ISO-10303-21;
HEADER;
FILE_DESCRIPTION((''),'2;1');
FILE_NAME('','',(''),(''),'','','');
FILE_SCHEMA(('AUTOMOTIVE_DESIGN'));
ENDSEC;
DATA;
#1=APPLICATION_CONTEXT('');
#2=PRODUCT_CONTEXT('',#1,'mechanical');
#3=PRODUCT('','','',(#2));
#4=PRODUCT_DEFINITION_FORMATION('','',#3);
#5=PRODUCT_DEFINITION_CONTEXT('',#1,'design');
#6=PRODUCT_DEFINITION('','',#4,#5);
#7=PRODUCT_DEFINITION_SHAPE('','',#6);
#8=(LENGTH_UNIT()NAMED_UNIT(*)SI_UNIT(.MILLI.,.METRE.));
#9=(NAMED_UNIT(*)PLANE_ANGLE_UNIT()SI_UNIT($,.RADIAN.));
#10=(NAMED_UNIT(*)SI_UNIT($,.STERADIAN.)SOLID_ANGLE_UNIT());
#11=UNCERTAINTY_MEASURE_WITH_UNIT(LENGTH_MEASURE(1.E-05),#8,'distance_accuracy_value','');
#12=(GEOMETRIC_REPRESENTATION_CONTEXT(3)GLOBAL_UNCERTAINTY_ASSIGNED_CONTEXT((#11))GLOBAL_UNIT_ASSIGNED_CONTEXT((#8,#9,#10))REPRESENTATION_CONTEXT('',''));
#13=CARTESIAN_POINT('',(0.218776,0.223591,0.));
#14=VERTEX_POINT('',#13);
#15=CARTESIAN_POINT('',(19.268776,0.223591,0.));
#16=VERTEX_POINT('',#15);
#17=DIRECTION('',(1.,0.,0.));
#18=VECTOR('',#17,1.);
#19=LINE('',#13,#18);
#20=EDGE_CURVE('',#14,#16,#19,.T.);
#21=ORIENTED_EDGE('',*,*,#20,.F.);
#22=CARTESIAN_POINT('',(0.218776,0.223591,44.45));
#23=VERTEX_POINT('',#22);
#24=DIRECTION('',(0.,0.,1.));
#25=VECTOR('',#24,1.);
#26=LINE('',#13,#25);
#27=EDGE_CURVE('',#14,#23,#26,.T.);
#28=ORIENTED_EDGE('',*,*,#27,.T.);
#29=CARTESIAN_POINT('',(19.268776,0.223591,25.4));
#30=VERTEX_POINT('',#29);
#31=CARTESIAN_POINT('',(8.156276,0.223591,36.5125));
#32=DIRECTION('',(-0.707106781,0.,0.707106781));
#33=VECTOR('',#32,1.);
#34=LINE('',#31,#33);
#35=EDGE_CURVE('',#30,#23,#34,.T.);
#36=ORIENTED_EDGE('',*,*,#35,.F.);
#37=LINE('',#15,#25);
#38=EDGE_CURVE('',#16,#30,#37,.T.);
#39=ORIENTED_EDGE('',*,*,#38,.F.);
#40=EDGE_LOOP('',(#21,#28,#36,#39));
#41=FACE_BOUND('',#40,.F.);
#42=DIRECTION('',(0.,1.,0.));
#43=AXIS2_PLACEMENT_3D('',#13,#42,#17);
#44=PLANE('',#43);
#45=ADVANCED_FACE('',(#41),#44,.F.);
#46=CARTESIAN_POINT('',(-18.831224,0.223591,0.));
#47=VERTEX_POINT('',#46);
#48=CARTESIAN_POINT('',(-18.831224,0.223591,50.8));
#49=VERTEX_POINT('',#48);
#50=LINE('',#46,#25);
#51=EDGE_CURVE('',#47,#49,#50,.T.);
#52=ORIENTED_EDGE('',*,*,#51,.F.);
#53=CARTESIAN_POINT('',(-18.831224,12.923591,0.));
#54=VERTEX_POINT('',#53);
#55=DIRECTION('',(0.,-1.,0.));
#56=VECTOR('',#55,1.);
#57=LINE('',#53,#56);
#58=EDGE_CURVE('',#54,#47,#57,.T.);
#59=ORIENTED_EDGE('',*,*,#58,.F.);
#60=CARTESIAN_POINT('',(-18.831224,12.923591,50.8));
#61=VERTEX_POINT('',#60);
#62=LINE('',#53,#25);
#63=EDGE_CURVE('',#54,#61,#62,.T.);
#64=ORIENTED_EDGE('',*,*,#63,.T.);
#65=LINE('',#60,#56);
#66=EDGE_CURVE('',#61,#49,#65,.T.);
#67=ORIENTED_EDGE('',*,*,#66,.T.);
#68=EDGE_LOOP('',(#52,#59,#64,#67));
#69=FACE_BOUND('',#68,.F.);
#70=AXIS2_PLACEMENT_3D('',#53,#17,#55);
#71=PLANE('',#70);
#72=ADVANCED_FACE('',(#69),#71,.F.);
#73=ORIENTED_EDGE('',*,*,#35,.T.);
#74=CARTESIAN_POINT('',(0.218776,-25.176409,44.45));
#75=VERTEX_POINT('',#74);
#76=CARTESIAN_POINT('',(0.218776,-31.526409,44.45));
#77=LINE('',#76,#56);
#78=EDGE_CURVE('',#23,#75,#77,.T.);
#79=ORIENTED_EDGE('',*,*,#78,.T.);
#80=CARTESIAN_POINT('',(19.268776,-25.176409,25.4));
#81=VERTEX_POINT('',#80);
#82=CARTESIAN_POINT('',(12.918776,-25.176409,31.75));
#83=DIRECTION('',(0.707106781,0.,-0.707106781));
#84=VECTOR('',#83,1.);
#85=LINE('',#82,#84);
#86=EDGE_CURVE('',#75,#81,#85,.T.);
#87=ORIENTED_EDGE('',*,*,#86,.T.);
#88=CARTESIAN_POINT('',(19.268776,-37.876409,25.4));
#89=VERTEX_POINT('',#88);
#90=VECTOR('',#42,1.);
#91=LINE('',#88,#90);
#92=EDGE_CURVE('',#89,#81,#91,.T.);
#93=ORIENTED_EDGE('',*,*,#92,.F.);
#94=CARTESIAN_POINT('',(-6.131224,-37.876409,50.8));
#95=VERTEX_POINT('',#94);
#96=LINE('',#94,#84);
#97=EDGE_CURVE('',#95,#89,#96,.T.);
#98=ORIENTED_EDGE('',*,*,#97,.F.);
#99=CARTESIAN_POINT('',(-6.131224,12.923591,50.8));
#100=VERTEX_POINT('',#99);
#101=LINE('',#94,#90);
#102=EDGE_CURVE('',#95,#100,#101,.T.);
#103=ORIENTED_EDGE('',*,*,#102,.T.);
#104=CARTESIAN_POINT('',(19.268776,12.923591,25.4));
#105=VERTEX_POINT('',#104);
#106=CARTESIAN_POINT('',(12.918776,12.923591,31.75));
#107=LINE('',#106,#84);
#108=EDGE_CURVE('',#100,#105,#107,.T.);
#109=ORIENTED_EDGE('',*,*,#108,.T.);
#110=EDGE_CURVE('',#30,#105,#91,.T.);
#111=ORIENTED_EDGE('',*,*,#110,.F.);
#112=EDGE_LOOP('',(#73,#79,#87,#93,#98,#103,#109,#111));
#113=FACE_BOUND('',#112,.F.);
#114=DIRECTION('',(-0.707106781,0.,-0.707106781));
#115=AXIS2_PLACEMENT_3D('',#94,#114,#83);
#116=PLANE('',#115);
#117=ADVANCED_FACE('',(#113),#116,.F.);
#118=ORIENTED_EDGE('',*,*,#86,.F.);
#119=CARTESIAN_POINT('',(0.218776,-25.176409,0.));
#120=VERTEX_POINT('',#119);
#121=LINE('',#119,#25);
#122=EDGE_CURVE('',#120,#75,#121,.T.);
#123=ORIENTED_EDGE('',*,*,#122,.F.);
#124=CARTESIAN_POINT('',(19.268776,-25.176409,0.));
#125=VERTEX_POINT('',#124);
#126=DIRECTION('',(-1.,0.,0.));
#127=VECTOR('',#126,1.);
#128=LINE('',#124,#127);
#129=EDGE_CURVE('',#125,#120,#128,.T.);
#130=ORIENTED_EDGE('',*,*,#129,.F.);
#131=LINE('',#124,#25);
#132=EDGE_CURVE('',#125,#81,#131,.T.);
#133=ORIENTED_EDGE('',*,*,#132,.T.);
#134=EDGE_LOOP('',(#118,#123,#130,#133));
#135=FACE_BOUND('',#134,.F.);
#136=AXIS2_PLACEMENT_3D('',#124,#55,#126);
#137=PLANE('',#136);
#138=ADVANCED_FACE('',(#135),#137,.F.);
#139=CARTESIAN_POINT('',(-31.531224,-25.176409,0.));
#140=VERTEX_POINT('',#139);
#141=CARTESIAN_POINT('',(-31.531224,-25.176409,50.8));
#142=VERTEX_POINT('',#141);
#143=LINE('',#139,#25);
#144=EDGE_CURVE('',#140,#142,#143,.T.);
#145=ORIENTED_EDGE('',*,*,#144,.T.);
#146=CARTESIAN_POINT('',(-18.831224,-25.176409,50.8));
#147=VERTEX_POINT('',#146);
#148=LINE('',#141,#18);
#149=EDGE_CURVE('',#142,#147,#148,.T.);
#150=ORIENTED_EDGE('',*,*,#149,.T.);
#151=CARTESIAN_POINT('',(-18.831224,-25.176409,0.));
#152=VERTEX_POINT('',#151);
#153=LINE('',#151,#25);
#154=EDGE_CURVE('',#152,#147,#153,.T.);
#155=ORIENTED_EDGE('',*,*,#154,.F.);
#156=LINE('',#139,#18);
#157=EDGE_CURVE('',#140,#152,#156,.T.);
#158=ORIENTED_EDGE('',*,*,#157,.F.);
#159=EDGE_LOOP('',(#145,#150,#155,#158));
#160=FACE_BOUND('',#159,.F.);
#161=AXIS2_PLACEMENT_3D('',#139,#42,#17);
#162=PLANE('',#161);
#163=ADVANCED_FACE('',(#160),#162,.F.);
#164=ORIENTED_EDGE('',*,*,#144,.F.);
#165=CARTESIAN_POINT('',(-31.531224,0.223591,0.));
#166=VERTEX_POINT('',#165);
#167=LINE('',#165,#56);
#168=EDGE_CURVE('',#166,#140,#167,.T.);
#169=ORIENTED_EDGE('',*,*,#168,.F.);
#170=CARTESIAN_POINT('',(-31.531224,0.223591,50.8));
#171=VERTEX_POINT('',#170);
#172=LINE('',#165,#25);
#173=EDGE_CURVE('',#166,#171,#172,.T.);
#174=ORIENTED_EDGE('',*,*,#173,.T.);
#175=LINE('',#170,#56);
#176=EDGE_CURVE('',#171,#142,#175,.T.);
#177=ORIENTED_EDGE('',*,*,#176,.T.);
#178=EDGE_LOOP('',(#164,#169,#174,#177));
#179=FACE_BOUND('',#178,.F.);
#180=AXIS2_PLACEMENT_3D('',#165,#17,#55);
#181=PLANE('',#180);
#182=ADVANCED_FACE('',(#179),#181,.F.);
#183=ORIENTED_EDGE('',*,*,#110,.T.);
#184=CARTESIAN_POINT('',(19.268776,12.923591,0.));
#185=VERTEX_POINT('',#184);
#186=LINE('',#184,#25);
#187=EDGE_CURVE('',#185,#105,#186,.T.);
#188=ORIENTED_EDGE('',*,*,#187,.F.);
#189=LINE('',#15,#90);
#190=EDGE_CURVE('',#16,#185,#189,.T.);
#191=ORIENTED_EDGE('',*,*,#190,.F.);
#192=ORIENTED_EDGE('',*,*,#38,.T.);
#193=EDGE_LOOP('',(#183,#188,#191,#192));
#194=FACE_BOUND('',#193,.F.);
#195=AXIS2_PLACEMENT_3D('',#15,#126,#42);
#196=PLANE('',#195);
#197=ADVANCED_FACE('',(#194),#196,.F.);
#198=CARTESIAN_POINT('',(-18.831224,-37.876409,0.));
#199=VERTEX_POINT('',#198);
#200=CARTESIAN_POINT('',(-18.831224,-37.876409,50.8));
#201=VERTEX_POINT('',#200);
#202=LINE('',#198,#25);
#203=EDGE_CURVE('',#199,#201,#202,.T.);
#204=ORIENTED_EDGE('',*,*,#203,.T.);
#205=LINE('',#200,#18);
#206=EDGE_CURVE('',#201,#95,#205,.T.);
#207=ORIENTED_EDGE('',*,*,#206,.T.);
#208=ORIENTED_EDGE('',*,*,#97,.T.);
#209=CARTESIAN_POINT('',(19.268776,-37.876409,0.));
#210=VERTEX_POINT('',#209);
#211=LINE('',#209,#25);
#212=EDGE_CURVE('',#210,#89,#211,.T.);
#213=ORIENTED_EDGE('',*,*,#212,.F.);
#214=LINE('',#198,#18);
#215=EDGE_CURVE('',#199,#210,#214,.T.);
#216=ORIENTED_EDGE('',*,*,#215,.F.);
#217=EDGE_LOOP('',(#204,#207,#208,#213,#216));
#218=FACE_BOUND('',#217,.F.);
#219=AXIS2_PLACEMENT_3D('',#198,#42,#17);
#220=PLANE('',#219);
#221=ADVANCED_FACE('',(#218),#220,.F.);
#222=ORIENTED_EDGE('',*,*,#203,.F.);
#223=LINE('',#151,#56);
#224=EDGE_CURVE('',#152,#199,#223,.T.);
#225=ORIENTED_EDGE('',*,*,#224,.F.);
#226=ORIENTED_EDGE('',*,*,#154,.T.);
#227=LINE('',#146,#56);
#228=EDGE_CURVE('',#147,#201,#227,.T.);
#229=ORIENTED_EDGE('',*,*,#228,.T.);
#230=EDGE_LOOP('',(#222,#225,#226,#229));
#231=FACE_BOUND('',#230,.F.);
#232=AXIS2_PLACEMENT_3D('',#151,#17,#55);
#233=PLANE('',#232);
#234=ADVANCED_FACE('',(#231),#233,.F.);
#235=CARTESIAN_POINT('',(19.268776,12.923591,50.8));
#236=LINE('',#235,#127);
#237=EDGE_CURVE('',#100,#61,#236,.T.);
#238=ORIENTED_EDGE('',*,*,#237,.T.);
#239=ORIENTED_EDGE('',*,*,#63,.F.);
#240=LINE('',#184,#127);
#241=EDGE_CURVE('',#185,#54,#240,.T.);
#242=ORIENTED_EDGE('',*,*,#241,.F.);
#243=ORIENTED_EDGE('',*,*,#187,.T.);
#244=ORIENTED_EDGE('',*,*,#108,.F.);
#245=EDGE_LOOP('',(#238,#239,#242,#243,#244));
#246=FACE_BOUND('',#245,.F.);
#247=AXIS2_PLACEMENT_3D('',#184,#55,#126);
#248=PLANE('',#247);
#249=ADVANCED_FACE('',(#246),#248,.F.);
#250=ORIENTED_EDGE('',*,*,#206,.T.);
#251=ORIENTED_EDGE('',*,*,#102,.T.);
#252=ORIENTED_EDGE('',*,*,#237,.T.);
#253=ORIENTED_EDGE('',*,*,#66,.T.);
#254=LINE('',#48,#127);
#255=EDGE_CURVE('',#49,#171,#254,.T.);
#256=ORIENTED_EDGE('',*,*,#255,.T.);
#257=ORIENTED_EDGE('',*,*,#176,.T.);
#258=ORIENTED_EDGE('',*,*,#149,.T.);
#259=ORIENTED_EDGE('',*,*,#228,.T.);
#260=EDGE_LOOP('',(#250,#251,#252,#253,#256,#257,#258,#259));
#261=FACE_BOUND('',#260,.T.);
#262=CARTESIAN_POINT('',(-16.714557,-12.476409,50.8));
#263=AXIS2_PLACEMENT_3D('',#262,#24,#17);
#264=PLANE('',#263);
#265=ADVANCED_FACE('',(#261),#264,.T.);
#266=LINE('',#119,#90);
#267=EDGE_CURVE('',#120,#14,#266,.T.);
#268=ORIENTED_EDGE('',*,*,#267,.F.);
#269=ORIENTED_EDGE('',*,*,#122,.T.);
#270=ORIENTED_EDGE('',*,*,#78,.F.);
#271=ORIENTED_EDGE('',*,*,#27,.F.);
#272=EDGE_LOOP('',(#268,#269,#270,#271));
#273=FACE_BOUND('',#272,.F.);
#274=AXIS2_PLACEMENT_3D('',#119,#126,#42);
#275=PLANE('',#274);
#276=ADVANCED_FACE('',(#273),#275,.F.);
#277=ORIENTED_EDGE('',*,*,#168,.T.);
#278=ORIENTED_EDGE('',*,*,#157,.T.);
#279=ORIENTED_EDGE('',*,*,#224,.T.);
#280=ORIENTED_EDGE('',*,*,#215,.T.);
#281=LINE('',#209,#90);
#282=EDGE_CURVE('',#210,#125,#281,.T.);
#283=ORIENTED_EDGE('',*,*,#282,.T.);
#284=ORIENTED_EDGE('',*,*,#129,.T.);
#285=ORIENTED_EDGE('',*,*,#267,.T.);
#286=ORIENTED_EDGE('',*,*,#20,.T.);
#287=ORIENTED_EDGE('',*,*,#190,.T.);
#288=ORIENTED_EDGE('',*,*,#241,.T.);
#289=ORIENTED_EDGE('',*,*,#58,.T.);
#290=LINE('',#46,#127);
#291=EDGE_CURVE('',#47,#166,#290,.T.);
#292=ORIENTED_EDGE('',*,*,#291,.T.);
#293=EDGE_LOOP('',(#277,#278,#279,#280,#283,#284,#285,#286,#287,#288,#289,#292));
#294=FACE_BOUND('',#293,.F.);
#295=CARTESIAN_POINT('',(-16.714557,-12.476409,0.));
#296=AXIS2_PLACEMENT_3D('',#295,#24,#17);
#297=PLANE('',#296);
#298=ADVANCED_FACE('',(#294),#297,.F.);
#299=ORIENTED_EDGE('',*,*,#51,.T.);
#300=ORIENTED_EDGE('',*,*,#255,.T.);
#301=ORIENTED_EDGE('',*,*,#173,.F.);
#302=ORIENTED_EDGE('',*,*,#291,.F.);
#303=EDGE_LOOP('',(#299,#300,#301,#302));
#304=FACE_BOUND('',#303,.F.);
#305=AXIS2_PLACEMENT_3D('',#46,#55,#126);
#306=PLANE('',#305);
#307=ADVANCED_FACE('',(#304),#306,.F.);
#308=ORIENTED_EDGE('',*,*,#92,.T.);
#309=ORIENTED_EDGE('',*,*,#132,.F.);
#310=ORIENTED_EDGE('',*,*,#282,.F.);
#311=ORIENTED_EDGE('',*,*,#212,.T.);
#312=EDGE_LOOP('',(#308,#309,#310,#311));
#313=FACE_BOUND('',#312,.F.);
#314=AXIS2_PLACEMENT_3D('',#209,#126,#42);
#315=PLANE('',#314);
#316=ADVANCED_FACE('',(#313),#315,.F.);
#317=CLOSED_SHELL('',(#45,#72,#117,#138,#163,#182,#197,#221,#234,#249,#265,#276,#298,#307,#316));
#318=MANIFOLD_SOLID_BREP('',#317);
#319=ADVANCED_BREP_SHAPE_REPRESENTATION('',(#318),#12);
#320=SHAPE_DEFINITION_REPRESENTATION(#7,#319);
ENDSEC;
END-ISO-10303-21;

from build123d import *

# Parameters (mm, degrees)
F1_DEPTH = 50.8
F3_DEPTH = 50.801


with BuildPart() as f1:
    # F0 (on Top) → F1 (new body)
    with BuildSketch(Plane.XY):
        Polygon((-6.131224, 12.923591), (-18.831224, 12.923591), (-18.831224, 0.223591), (-31.531224, 0.223591), (-31.531224, -25.176409), (-18.831224, -25.176409), (-18.831224, -37.876409), (-6.131224, -37.876409), align=None)
        Polygon((6.568776, 12.923591), (-6.131224, 12.923591), (-6.131224, -37.876409), (6.568776, -37.876409), (19.268776, -37.876409), (19.268776, -25.176409), (0.218776, -25.176409), (0.218776, 0.223591), (19.268776, 0.223591), (19.268776, 12.923591), align=None)
    extrude(amount=F1_DEPTH)

    # F2 (on face) → F3 (cut, through all)
    with BuildSketch(Plane.XZ.offset(37.876409)):
        Polygon((19.268776, 50.8), (-6.131224, 50.8), (19.268776, 25.4), align=None)
    extrude(amount=-F3_DEPTH, mode=Mode.SUBTRACT)


solid = f1.part
